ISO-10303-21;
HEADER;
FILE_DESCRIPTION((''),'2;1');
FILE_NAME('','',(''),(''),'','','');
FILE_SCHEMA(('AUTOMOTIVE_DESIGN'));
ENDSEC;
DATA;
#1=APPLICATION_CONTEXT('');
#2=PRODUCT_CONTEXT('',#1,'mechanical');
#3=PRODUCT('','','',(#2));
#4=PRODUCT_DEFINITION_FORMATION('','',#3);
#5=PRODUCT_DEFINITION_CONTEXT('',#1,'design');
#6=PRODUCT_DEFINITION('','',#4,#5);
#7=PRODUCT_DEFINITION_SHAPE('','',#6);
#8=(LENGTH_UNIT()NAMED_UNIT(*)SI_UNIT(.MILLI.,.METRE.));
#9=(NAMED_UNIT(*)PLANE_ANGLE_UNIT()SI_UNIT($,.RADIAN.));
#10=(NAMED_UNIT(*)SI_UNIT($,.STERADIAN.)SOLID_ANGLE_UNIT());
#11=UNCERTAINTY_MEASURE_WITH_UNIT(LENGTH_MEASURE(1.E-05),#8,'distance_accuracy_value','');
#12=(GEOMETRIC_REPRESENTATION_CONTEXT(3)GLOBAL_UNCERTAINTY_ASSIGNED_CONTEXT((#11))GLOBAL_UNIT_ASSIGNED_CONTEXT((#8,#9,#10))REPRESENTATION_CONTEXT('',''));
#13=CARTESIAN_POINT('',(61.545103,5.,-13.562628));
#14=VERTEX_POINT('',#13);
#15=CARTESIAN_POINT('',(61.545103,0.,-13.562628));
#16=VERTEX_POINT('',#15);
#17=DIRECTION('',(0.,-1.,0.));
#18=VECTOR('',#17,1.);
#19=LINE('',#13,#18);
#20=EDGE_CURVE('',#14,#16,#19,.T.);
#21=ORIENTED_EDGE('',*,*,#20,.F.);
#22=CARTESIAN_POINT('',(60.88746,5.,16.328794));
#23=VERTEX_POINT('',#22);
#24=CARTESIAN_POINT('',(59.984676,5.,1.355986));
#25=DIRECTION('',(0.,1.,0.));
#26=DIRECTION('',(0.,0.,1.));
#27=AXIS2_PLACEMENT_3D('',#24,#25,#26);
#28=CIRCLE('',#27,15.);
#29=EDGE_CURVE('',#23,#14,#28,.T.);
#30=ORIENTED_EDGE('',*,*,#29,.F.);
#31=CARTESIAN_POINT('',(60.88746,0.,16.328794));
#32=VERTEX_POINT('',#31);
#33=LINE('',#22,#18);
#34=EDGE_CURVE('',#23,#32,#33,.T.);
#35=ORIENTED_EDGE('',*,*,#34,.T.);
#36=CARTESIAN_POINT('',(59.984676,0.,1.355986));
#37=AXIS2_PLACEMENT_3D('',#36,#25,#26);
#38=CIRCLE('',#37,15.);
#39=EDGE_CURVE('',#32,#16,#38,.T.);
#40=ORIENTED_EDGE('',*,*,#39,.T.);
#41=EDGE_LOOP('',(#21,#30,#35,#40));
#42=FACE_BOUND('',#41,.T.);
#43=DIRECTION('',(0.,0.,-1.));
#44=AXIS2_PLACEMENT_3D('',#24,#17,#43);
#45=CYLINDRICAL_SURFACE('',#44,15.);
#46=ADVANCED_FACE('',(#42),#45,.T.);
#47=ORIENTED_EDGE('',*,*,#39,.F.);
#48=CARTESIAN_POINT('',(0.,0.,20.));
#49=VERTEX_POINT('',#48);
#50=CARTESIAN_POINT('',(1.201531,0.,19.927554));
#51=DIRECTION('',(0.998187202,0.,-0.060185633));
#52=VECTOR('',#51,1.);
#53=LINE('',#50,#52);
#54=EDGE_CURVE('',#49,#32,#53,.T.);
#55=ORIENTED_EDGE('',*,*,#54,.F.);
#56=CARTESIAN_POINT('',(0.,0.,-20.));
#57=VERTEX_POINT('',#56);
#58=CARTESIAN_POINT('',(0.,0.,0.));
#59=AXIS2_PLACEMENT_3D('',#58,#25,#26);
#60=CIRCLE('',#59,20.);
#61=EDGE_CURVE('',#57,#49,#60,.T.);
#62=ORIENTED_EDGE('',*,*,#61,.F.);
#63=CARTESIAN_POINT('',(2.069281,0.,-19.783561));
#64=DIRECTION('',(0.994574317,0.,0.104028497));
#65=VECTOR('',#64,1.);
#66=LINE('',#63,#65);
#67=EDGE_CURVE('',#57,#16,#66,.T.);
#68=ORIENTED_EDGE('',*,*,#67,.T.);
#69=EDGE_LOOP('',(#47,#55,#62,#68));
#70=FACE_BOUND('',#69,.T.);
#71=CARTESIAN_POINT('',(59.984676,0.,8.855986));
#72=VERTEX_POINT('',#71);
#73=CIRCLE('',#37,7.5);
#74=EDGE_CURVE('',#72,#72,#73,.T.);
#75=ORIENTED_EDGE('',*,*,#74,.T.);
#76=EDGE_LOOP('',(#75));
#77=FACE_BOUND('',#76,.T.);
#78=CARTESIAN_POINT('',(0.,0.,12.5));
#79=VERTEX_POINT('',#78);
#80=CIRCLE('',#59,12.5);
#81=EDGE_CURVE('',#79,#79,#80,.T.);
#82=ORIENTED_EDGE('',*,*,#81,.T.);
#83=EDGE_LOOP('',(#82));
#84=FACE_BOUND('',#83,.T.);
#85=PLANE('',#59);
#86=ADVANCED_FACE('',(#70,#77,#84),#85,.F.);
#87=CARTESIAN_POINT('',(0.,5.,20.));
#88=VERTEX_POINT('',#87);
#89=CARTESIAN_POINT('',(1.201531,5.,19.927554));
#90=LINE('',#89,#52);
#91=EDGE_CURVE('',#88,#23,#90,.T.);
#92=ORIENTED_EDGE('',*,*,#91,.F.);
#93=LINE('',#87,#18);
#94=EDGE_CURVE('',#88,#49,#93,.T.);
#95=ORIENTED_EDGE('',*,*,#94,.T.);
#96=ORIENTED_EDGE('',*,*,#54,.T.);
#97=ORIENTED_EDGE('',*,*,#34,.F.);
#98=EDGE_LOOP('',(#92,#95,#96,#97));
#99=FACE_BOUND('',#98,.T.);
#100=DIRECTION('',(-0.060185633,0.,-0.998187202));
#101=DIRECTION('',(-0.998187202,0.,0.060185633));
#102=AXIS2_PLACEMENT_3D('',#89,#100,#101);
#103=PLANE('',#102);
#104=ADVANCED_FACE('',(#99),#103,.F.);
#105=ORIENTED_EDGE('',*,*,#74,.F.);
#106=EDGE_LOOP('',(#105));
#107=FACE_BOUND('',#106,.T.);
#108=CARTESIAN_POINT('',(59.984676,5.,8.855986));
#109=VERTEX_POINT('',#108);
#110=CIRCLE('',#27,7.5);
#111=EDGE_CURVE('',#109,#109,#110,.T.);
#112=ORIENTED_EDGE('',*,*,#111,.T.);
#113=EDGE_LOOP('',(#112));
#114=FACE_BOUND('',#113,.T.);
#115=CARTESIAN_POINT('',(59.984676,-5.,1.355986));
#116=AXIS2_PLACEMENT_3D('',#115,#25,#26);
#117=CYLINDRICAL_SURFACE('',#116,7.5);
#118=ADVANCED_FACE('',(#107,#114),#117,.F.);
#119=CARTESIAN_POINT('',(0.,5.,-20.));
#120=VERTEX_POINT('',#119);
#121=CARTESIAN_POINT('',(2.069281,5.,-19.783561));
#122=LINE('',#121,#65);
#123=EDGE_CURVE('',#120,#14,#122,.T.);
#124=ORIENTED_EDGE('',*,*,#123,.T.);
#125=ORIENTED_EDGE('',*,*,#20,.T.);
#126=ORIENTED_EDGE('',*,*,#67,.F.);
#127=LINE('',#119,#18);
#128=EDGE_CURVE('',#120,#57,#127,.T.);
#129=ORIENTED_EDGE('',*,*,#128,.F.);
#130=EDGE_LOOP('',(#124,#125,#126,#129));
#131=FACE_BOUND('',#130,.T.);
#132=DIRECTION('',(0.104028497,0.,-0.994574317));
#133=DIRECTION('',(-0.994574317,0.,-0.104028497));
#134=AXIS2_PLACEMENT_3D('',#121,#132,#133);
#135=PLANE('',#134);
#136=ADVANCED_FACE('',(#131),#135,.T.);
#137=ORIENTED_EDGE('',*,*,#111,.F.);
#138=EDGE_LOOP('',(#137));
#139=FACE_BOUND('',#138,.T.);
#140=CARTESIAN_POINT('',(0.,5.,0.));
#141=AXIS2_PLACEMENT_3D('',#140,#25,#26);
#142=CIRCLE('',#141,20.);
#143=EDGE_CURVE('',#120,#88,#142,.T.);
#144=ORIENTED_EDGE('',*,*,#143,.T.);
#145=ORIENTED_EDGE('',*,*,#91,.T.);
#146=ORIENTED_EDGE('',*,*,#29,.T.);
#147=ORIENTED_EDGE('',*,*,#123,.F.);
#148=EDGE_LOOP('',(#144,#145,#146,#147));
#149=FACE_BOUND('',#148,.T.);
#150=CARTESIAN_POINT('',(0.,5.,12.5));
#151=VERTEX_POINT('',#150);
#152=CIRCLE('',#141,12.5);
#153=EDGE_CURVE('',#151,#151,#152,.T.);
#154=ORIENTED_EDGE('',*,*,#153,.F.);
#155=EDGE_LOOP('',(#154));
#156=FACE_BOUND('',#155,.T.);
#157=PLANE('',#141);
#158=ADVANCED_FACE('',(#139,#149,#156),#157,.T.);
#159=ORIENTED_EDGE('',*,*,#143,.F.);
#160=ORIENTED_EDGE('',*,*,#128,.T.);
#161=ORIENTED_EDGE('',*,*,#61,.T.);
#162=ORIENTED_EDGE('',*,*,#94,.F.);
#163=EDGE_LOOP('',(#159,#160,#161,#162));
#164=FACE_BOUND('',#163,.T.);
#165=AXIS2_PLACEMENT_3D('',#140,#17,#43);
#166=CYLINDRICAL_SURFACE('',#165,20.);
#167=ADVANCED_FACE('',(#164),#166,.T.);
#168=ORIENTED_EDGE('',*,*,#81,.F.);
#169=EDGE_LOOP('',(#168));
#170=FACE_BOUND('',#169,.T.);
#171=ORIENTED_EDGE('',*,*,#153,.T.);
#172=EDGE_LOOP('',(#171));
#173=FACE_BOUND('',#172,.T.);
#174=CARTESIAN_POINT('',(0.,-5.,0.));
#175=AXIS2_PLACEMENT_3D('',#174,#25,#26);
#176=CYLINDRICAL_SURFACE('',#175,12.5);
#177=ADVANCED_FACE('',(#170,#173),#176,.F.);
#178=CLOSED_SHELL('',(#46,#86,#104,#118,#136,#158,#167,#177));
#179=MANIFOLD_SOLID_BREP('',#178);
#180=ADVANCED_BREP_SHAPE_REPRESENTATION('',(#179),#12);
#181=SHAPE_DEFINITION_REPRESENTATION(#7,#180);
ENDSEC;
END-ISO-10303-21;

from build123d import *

# Parameters (mm, degrees)
BOSS_EXTRUDE1_DEPTH = 5
SKETCH2_R           = 12.5
SKETCH2_R_2         = 7.5
CUT_EXTRUDE1_DEPTH  = 10


with BuildPart() as part:
    # Sketch1 → Boss-Extrude1 (new body)
    with BuildSketch(Plane(origin=(0, 0, 0), x_dir=(1, 0, 0), z_dir=(0, 1, 0))):
        with BuildLine():
            Line((61.545103008, 13.562628278), (0, 20))
            ThreePointArc((0, 20), (-20, 0), (0, -20))
            Line((0, -20), (2.403061157, -19.855107582))
            Line((2.403061157, -19.855107582), (60.887460049, -16.328794499))
            ThreePointArc((60.887460049, -16.328794499), (74.981046517, -1.685922519), (61.545103008, 13.562628278))
        make_face()
    extrude(amount=BOSS_EXTRUDE1_DEPTH)

    # Sketch2 → Cut-Extrude1 (cut)
    with BuildSketch(Plane(origin=(0, 5, 0), x_dir=(1, 0, 0), z_dir=(0, 1, 0))):
        with Locations(Location((0, 0, 0), (0, 0, 270))):
            Circle(SKETCH2_R)
        with Locations(Location((59.984675549, -1.355986475, 0), (0, 0, 270))):
            Circle(SKETCH2_R_2)
    extrude(amount=-CUT_EXTRUDE1_DEPTH, mode=Mode.SUBTRACT)


solid = part.part
